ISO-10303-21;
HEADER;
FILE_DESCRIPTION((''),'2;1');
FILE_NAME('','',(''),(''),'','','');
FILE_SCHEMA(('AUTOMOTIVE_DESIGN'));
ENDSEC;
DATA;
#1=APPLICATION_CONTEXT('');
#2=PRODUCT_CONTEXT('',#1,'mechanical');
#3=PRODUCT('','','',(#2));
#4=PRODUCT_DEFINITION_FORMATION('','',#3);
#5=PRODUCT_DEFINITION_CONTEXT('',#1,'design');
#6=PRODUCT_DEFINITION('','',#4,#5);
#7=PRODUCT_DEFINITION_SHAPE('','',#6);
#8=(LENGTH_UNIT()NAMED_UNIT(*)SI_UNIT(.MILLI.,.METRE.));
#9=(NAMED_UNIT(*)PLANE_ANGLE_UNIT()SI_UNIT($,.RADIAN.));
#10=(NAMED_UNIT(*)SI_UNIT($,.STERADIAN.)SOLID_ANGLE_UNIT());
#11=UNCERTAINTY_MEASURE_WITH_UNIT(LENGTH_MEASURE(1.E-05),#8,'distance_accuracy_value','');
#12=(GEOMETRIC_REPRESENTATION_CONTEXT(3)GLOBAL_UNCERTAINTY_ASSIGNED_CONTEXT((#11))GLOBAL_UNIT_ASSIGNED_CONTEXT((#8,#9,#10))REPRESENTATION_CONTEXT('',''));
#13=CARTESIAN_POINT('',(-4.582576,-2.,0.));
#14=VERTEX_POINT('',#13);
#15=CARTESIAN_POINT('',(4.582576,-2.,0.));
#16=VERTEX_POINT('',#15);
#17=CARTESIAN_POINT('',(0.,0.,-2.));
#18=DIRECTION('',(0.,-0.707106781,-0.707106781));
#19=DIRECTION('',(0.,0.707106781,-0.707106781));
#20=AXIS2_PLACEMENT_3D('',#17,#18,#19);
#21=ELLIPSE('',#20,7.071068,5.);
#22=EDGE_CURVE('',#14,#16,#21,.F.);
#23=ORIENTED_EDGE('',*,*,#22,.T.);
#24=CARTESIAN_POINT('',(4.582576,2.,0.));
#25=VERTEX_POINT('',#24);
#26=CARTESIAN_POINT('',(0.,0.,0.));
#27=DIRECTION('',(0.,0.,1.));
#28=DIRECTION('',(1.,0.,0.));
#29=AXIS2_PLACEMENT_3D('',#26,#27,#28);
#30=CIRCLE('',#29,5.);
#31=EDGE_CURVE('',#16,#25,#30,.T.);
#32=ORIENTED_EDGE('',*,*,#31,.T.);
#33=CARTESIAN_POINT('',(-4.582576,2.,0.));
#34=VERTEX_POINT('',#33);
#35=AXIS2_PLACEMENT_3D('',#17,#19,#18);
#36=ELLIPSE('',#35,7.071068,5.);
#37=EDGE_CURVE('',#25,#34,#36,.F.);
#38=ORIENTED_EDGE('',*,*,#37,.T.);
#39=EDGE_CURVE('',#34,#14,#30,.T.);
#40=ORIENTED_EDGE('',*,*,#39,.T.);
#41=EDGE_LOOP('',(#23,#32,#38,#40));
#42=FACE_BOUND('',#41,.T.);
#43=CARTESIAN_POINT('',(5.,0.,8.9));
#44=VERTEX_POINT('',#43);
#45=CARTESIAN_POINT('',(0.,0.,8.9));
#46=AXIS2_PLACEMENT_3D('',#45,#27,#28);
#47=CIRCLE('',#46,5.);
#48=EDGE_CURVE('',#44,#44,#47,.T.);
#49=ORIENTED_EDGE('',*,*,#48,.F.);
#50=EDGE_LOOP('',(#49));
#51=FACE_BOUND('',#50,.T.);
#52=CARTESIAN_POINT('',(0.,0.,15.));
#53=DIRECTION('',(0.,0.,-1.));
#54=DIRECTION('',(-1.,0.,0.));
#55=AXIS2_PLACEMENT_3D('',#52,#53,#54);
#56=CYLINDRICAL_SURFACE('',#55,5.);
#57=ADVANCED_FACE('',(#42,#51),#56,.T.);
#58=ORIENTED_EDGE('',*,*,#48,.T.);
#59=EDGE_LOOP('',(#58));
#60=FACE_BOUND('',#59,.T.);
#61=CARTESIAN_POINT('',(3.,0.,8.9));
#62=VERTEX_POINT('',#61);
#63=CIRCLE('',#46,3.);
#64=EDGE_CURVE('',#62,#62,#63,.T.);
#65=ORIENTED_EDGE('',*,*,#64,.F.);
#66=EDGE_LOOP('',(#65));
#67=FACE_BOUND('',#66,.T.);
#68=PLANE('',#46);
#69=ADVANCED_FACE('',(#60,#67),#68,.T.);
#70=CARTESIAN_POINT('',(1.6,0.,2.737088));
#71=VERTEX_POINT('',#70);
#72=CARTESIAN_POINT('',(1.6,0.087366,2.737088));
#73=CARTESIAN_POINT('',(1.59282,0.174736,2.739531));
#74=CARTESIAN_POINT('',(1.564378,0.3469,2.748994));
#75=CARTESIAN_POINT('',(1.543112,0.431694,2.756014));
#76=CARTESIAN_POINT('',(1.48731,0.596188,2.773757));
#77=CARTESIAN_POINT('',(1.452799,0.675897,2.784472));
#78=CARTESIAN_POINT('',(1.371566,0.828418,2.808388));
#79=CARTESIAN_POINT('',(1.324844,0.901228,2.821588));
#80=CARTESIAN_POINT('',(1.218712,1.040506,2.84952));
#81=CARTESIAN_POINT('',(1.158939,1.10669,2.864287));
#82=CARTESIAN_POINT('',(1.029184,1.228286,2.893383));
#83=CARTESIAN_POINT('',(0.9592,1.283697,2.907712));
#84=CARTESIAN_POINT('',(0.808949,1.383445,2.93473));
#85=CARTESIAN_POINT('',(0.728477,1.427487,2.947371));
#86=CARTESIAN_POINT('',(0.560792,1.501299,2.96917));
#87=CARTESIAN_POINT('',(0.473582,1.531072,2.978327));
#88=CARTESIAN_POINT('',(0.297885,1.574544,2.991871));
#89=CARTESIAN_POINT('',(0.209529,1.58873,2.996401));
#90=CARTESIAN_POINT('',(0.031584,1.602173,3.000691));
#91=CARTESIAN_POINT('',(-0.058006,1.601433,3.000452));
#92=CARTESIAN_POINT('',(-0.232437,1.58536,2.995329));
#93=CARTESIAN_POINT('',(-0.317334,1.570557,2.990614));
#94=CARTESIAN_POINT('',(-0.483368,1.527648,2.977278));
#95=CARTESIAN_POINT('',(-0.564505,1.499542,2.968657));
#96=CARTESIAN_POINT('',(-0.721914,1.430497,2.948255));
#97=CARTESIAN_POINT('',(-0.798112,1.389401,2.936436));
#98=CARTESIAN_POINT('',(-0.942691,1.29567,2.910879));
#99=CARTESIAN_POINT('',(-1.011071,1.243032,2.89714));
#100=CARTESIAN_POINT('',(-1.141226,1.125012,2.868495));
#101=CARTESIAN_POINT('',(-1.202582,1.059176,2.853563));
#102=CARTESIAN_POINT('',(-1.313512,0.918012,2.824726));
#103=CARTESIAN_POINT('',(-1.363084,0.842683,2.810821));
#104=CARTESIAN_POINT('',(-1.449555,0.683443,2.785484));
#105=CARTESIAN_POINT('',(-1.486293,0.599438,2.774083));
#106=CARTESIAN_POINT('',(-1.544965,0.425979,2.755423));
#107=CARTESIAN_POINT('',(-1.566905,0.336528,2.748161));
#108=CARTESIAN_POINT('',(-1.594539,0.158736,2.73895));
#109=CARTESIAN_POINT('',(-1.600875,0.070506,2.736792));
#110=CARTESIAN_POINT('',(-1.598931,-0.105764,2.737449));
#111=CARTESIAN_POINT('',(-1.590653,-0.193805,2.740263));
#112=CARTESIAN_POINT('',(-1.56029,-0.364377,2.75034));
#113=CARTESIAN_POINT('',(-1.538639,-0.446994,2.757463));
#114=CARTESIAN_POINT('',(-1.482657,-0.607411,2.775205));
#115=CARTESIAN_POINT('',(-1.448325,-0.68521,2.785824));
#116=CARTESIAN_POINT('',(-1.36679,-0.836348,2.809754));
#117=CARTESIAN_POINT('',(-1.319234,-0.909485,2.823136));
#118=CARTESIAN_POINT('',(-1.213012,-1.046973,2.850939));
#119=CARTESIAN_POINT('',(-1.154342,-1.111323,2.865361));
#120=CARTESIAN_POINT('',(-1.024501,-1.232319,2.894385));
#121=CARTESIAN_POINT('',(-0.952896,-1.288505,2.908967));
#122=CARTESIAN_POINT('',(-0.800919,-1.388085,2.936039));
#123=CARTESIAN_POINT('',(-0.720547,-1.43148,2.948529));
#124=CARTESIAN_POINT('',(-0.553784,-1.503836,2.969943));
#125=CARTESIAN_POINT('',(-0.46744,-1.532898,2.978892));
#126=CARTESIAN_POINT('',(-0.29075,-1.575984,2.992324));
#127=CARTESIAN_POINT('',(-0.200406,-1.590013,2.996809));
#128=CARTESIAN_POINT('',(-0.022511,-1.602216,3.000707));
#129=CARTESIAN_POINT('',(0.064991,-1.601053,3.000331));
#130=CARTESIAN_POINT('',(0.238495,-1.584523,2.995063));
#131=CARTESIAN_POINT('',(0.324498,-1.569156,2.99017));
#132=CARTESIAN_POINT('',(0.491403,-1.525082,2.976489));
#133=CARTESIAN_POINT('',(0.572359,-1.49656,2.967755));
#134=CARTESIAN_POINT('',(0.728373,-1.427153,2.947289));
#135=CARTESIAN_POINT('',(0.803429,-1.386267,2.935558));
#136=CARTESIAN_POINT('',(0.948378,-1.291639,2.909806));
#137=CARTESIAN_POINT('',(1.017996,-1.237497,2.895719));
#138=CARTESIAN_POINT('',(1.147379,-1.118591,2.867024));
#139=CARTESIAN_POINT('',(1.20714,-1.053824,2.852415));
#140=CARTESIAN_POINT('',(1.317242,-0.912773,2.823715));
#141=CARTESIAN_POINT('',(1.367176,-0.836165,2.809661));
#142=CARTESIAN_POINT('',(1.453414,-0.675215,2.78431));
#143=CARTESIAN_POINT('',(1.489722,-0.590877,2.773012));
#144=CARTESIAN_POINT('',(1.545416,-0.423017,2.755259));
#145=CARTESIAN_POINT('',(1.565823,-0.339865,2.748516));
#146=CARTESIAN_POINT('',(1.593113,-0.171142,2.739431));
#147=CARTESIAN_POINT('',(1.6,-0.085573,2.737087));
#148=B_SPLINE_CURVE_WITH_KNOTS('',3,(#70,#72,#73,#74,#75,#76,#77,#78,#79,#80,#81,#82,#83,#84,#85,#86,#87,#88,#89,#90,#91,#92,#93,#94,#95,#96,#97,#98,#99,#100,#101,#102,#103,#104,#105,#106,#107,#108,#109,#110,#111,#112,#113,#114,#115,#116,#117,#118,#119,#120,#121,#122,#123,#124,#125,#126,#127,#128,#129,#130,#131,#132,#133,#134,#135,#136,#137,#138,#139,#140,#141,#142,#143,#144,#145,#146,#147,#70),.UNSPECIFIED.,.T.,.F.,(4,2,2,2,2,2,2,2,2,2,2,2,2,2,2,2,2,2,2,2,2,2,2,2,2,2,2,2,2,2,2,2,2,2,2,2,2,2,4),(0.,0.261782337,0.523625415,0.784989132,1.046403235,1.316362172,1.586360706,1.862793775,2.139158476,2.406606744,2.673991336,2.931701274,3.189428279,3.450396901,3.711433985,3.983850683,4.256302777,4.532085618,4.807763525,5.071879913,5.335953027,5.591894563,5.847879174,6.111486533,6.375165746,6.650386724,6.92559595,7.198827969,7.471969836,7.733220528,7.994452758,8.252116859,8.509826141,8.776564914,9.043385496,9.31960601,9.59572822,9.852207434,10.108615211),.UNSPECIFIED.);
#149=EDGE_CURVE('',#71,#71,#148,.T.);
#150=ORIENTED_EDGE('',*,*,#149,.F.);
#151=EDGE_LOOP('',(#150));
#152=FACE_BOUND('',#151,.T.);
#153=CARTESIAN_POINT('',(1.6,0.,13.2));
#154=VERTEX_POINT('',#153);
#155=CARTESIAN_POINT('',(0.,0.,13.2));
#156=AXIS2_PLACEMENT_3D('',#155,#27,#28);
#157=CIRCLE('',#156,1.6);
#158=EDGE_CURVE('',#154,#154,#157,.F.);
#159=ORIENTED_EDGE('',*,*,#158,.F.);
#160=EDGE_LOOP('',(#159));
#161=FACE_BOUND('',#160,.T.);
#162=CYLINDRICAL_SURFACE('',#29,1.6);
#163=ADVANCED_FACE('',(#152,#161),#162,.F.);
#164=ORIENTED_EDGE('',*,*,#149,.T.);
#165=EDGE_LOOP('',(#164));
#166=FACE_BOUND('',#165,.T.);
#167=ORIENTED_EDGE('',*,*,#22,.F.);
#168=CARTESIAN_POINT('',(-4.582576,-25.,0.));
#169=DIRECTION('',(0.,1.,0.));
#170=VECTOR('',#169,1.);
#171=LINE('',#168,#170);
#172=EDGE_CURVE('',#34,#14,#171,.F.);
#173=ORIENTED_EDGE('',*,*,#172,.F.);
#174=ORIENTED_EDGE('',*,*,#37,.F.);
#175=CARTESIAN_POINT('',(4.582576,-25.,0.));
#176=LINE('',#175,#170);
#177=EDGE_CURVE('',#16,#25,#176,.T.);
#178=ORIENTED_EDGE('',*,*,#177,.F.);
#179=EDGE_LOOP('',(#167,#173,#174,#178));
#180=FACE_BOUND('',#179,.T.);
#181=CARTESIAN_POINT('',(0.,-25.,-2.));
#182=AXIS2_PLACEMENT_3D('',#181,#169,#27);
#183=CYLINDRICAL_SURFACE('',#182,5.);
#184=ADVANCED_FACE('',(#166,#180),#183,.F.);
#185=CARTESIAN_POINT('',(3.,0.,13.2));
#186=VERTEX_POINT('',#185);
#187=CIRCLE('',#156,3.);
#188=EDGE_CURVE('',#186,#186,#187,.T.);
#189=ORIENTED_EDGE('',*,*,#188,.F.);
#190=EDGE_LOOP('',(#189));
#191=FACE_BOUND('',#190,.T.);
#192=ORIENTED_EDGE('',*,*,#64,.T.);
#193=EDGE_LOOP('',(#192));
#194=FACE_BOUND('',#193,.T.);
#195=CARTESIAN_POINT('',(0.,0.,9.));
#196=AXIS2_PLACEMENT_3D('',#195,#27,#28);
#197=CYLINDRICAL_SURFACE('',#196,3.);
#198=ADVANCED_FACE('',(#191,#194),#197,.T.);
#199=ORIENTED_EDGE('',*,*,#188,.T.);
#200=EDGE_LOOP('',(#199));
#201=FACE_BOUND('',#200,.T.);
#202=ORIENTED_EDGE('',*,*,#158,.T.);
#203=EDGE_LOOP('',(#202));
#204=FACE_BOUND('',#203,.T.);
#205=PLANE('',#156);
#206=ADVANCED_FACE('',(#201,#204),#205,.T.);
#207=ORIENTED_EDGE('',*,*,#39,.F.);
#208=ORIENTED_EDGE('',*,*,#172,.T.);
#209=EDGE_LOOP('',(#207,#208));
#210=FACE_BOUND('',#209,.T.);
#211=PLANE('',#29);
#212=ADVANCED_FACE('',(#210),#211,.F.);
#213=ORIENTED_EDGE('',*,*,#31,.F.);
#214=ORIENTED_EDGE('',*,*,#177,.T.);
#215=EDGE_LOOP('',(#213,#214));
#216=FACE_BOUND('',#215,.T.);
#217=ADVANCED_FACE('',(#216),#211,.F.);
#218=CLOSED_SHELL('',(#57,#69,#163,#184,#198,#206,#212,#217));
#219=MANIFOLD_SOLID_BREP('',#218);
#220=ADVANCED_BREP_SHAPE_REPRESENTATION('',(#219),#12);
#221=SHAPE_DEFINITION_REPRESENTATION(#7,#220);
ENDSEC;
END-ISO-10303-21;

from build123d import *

# Parameters (mm, degrees)
SKETCH_1_R          = 5
EXTRUDE_1_DEPTH     = 15
CUT_EXTRUDE_START   = -4
SKETCH_2_R          = 5
SKETCH_2_R_2        = 3
CUT_EXTRUDE_1_DEPTH = 4
SKETCH_3_R          = 5
CUT_EXTRUDE_2_DEPTH = 25
SKETCH_4_R          = 1.6
CUT_EXTRUDE_3_DEPTH = 17.583123952
SKETCH_5_R          = 5
SKETCH_5_R_2        = 3
CUT_EXTRUDE_4_DEPTH = 2.1
SKETCH_6_OUTSIDE_W  = 16.124
SKETCH_6_OUTSIDE_H  = 16.124
SKETCH_6_OUTSIDE_R  = 3
CUT_EXTRUDE_5_DEPTH = 3
CUT_EXTRUDE_START_2 = -1.8
SKETCH_7_R          = 3
CUT_EXTRUDE_6_DEPTH = 1.8


with BuildPart() as part:
    # 草图1 → 凸台-拉伸1 (new body)
    with BuildSketch(Plane.XY):
        Circle(SKETCH_1_R)
    extrude(amount=EXTRUDE_1_DEPTH)

    # 草图2 → 切除-拉伸1 (cut)
    with BuildSketch(Plane.XY.offset(13).offset(CUT_EXTRUDE_START)):
        Circle(SKETCH_2_R)
        Circle(SKETCH_2_R_2, mode=Mode.SUBTRACT)
    extrude(amount=CUT_EXTRUDE_1_DEPTH, mode=Mode.SUBTRACT)

    # 草图3 → 切除-拉伸2 (cut, symmetric)
    with BuildSketch(Plane(origin=(0, 0, 0), x_dir=(1, 0, 0), z_dir=(0, 1, 0))):
        with Locations((0, 2)):
            Circle(SKETCH_3_R)
    extrude(amount=CUT_EXTRUDE_2_DEPTH, both=True, mode=Mode.SUBTRACT)

    # 草图4 → 切除-拉伸3 (cut, through all)
    with BuildSketch(Plane.XY.offset(15)):
        Circle(SKETCH_4_R)
    extrude(amount=-CUT_EXTRUDE_3_DEPTH, mode=Mode.SUBTRACT)

    # 草图5 → 切除-拉伸4 (cut, symmetric)
    with BuildSketch(Plane.XY.offset(11)):
        with Locations(Location((0, 0, 0), (0, 0, 203.578178478))):
            Circle(SKETCH_5_R)
        Circle(SKETCH_5_R_2, mode=Mode.SUBTRACT)
    extrude(amount=CUT_EXTRUDE_4_DEPTH, both=True, mode=Mode.SUBTRACT)

    # 草图6 outside → 切除-拉伸5 (cut)
    with BuildSketch(Plane.XY.offset(15)):
        Rectangle(SKETCH_6_OUTSIDE_W, SKETCH_6_OUTSIDE_H)
        Circle(SKETCH_6_OUTSIDE_R, mode=Mode.SUBTRACT)
    extrude(amount=-CUT_EXTRUDE_5_DEPTH, mode=Mode.SUBTRACT)

    # 草图7 → 切除-拉伸6 (cut)
    with BuildSketch(Plane.XY.offset(15).offset(CUT_EXTRUDE_START_2)):
        Circle(SKETCH_7_R)
    extrude(amount=CUT_EXTRUDE_6_DEPTH, mode=Mode.SUBTRACT)


solid = part.part
